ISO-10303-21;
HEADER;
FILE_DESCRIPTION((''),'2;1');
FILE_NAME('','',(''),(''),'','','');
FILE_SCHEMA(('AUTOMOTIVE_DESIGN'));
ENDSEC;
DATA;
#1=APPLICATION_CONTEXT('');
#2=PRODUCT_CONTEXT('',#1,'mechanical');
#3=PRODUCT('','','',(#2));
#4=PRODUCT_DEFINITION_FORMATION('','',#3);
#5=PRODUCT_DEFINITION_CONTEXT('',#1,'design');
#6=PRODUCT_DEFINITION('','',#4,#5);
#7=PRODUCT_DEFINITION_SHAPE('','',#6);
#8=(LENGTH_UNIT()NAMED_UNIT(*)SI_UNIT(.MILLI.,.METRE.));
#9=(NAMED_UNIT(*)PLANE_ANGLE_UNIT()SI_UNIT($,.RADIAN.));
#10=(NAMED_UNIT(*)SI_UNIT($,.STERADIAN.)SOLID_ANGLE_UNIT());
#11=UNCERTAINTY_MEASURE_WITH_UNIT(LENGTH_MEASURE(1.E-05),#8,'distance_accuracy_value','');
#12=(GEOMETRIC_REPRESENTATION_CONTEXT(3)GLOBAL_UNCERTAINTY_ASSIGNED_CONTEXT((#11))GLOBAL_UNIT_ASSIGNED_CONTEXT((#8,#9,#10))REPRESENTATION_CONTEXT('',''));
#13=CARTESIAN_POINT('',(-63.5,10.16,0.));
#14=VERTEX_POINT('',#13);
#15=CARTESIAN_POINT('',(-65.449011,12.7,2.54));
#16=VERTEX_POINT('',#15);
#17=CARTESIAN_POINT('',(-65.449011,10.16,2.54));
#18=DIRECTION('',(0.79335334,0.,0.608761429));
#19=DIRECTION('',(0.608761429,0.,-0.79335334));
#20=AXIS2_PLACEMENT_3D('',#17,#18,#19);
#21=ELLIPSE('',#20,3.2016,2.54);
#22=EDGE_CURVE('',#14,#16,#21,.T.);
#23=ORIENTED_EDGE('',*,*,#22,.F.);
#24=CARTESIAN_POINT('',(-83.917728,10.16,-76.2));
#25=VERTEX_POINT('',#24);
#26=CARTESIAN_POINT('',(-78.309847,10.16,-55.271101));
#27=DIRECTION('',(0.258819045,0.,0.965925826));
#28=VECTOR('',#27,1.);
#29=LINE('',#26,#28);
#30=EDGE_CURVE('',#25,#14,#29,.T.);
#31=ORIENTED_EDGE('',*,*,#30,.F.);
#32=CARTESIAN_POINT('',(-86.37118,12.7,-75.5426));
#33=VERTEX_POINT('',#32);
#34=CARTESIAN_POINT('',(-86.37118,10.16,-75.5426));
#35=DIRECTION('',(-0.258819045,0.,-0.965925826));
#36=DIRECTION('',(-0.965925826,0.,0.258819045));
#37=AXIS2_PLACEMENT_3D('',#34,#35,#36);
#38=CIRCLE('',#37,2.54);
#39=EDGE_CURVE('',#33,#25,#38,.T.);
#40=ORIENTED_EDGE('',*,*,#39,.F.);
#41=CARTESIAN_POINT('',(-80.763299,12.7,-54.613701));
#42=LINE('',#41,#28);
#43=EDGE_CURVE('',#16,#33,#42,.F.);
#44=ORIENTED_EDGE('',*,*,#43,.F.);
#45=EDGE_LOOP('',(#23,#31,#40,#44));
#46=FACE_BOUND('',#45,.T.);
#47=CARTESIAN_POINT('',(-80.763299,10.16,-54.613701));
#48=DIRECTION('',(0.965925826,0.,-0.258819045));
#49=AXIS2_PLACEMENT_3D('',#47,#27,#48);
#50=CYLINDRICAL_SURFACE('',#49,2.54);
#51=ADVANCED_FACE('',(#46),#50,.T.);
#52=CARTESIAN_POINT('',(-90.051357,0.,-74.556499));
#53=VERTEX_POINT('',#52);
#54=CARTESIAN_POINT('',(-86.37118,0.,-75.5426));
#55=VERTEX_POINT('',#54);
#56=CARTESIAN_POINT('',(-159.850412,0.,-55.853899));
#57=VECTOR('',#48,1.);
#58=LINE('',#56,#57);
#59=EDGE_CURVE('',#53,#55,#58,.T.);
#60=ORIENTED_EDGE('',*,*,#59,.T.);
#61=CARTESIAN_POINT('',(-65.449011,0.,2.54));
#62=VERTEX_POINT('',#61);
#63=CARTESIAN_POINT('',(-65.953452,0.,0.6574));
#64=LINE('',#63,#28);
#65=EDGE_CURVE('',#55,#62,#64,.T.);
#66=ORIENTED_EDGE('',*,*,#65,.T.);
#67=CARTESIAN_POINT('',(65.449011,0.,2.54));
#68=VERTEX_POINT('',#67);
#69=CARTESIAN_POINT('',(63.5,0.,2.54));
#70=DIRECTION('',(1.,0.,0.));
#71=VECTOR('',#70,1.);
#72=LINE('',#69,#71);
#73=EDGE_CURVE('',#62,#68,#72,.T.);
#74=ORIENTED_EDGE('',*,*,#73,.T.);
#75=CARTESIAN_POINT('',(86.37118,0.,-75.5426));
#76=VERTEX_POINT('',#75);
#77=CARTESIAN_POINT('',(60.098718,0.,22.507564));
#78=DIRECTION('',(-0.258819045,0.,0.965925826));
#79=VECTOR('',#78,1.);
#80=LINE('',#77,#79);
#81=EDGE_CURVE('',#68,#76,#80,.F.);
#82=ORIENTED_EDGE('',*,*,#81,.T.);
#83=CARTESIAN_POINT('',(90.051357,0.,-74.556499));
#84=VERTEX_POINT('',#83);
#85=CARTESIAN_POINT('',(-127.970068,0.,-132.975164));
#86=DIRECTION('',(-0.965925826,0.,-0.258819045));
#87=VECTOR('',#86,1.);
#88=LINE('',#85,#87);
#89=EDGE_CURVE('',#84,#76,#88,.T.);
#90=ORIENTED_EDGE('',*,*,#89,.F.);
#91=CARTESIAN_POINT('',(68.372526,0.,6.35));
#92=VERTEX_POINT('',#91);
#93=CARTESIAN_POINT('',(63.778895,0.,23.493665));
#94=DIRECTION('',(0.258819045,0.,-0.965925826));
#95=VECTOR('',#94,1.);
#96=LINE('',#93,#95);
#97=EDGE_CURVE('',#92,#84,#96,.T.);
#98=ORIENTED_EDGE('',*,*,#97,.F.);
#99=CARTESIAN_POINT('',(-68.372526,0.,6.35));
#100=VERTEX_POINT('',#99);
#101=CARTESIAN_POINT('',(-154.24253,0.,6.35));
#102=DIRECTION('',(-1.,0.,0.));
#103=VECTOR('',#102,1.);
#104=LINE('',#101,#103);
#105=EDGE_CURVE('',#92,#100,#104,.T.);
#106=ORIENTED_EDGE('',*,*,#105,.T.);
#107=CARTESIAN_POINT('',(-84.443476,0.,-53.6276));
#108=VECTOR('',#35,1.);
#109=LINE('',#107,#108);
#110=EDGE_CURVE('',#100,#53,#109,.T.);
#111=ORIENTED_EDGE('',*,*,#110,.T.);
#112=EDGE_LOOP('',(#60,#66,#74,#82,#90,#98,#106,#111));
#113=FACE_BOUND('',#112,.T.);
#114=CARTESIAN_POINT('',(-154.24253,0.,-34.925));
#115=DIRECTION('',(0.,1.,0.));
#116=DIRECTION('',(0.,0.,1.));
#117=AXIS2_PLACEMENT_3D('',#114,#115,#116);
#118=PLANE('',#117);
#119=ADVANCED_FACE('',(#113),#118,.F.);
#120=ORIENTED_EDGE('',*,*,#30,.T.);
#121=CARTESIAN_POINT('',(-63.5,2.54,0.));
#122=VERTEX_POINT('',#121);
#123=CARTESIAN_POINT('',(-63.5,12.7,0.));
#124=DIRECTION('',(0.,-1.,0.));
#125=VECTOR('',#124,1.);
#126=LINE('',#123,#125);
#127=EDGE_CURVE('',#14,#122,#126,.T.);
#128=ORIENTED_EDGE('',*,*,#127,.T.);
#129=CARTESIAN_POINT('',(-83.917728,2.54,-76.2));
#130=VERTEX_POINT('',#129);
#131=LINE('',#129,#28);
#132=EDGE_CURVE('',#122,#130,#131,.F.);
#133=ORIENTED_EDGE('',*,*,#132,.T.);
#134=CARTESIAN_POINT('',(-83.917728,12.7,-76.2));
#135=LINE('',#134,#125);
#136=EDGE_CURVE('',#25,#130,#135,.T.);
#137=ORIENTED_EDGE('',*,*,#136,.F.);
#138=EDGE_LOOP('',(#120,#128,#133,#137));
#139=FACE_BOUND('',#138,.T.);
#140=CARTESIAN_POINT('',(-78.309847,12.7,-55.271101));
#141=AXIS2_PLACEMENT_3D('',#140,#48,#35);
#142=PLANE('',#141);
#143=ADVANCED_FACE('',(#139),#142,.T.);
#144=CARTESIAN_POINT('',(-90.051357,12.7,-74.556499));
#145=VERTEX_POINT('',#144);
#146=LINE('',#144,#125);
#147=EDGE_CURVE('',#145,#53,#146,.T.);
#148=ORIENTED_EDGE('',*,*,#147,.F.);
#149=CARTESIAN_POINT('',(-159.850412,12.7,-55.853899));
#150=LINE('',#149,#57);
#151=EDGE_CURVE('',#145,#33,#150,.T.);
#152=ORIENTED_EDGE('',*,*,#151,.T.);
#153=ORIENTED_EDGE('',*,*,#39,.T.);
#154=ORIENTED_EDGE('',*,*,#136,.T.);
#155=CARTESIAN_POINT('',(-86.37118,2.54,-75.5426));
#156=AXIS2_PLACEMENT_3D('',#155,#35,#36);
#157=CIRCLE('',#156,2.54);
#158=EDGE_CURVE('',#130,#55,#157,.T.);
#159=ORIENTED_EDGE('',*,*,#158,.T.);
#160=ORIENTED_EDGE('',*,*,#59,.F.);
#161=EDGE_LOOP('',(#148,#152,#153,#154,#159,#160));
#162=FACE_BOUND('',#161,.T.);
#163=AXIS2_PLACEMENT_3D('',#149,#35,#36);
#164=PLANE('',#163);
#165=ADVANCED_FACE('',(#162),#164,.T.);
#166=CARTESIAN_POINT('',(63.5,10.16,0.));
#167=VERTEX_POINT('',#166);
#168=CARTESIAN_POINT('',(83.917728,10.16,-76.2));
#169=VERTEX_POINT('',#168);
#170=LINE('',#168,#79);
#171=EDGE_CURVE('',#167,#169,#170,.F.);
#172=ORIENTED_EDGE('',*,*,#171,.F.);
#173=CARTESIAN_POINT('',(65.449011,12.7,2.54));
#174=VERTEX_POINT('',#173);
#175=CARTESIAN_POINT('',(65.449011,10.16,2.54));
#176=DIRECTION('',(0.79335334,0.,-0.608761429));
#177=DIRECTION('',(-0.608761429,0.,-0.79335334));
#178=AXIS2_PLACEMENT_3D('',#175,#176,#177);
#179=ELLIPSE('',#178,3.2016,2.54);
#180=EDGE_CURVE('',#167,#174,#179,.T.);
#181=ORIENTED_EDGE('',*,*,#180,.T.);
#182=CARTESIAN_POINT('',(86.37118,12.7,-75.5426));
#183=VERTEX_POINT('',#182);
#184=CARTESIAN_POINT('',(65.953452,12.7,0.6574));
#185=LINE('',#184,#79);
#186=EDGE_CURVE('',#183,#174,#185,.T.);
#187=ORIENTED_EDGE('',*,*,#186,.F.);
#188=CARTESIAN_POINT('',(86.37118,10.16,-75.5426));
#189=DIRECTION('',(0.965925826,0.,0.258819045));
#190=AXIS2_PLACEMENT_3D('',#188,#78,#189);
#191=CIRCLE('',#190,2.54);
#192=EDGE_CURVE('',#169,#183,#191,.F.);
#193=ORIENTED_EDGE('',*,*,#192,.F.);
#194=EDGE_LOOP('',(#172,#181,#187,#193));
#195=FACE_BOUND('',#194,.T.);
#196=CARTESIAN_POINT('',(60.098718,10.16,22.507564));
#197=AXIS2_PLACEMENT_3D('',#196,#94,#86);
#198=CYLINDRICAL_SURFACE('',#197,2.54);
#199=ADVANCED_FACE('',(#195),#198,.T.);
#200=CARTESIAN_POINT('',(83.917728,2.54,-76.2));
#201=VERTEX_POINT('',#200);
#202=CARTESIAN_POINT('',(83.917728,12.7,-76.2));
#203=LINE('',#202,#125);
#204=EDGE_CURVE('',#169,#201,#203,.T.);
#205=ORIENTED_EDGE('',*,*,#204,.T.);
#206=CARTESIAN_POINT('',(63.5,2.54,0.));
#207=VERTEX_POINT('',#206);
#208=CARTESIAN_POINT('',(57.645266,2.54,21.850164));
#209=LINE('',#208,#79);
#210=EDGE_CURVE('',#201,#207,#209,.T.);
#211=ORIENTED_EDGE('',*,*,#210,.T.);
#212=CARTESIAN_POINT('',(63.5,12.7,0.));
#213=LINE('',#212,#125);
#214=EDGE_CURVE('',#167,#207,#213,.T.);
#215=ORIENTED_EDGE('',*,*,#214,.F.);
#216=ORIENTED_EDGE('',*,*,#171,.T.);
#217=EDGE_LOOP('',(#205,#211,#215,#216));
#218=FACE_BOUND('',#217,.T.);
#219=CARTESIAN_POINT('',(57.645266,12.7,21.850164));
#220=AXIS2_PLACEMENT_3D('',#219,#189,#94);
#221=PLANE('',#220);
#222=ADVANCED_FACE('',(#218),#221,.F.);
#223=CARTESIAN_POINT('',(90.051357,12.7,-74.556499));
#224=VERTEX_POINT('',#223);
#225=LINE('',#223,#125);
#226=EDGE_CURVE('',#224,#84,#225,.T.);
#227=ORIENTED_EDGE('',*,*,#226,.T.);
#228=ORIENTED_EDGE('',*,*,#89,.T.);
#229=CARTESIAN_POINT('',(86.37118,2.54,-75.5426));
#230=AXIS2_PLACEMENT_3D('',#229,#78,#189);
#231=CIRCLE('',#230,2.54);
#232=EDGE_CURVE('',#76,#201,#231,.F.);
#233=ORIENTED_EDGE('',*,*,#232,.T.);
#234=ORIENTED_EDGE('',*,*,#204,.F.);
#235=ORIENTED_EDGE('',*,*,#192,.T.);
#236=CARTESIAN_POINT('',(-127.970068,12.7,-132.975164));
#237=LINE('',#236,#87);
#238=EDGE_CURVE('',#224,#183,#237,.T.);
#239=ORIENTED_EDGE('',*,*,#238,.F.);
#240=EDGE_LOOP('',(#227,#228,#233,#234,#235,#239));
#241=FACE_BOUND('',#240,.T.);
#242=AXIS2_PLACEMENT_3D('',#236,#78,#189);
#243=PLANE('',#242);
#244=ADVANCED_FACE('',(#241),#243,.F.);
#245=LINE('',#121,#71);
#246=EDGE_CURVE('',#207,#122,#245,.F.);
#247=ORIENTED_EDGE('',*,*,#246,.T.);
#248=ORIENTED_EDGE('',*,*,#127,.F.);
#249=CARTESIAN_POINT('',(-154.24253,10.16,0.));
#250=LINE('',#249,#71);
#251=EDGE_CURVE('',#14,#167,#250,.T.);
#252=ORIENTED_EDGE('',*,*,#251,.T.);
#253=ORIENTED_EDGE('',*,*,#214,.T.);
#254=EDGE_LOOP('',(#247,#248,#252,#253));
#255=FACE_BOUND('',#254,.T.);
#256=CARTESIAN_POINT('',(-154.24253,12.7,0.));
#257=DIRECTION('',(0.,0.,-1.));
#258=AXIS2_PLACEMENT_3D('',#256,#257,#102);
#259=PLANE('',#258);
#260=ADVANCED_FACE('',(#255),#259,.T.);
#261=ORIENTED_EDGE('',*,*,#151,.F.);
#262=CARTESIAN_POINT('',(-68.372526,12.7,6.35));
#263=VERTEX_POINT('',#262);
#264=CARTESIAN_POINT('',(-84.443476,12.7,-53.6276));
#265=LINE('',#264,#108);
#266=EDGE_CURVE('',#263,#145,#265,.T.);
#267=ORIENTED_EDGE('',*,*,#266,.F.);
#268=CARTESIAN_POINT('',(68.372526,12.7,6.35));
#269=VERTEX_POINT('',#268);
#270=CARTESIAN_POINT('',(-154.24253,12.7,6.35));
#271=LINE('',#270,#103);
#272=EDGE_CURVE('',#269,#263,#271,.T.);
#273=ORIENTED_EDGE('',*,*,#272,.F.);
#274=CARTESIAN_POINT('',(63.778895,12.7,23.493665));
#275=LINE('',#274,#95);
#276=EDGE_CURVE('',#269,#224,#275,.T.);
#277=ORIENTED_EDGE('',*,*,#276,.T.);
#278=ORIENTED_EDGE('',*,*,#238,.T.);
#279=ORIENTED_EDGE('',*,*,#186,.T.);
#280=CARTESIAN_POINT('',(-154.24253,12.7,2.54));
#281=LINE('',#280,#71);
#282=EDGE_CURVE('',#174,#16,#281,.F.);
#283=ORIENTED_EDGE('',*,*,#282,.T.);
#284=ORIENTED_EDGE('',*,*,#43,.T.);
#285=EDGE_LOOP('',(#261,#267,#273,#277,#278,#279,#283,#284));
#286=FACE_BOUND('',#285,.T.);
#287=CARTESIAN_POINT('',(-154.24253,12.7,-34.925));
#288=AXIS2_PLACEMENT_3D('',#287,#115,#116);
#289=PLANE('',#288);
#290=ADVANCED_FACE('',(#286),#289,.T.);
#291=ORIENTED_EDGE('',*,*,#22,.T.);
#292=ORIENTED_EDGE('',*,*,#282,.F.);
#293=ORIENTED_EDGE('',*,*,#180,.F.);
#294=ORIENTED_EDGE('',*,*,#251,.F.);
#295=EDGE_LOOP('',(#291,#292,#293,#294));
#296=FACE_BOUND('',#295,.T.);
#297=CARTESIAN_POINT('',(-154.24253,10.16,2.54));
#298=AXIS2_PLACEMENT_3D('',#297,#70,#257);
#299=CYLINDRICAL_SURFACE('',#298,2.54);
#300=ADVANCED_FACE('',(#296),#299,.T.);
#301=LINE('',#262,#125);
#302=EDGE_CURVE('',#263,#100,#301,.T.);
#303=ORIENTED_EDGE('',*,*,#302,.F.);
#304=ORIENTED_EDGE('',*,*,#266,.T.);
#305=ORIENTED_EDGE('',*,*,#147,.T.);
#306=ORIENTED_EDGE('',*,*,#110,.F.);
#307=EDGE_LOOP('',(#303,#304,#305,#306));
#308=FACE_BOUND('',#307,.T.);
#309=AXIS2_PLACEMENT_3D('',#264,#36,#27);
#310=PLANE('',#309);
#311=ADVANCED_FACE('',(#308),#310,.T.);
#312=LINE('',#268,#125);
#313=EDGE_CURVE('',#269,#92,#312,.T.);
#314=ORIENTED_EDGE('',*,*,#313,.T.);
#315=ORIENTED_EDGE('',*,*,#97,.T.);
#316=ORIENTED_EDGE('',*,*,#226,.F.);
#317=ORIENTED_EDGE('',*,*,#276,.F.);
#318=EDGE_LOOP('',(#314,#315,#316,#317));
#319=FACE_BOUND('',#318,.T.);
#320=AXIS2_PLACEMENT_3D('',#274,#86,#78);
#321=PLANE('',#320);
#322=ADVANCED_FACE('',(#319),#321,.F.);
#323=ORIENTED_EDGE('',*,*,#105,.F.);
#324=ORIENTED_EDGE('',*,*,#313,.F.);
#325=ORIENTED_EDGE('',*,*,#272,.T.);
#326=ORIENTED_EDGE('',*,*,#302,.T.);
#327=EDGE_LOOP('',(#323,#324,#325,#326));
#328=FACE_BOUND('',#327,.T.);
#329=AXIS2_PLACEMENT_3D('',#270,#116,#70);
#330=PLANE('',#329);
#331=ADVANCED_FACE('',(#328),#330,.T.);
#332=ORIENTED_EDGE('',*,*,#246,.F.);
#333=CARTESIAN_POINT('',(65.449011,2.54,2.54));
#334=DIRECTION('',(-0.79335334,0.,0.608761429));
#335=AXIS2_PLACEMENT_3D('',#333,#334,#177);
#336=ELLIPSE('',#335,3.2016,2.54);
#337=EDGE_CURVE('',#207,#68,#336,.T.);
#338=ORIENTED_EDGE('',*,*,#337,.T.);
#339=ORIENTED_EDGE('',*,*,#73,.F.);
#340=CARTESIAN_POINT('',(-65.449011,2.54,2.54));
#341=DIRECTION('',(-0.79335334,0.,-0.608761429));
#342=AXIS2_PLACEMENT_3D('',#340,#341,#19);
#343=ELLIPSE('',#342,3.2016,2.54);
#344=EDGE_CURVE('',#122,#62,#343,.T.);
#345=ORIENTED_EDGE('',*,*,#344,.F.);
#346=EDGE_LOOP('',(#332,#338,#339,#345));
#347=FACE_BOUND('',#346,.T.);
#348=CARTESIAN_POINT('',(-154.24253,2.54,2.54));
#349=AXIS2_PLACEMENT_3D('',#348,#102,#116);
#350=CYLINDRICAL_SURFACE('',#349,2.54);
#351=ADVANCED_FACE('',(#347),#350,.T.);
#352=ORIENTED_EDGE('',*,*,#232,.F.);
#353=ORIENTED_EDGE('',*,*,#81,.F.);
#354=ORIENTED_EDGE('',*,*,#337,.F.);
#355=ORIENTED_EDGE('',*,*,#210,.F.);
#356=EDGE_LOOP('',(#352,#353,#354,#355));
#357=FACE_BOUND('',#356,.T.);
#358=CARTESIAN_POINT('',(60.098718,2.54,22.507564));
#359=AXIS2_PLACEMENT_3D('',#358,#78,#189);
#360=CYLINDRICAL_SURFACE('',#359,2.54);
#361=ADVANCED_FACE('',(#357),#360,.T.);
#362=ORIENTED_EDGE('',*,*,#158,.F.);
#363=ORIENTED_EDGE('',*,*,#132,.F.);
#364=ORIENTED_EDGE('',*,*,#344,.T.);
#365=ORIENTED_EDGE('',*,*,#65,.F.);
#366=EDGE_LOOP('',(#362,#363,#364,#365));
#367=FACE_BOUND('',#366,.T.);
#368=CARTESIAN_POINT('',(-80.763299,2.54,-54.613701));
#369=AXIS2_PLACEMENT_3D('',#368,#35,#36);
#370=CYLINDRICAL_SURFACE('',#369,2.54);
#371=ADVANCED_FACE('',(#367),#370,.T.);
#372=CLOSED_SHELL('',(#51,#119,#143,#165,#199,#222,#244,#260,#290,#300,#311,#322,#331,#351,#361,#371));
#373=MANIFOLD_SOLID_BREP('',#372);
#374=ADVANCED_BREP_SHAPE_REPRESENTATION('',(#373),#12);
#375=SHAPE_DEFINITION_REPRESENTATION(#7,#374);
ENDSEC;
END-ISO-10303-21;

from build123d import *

# Parameters (mm, degrees)
EXTRUDE1_DEPTH = 12.7
FILLET1_R      = 2.54


with BuildPart() as part:
    # Sketch1 → Extrude1 (new body)
    with BuildSketch(Plane(origin=(0, 0, 0), x_dir=(1, 0, 0), z_dir=(0, 1, 0))):
        Polygon((-63.5, 0), (-83.917728463, 76.2), (-90.05135746, 74.556499064), (-68.372526374, -6.35), (0, -6.35), (0, 0), align=None)
        Polygon((63.5, 0), (0, 0), (0, -6.35), (68.372526374, -6.35), (90.05135746, 74.556499064), (83.917728463, 76.2), align=None)
    extrude(amount=EXTRUDE1_DEPTH)

    # Fillet1
    fillet1_edges = [part.edges().sort_by_distance(p)[0] for p in [
        (73.708864232, 12.7, -38.1),
        (0, 12.7, 0),
        (-73.708864232, 12.7, -38.1),
        (-73.708864232, 0, -38.1),
        (0, 0, 0),
        (73.708864232, 0, -38.1),
    ]]
    fillet(fillet1_edges, radius=FILLET1_R)


solid = part.part
